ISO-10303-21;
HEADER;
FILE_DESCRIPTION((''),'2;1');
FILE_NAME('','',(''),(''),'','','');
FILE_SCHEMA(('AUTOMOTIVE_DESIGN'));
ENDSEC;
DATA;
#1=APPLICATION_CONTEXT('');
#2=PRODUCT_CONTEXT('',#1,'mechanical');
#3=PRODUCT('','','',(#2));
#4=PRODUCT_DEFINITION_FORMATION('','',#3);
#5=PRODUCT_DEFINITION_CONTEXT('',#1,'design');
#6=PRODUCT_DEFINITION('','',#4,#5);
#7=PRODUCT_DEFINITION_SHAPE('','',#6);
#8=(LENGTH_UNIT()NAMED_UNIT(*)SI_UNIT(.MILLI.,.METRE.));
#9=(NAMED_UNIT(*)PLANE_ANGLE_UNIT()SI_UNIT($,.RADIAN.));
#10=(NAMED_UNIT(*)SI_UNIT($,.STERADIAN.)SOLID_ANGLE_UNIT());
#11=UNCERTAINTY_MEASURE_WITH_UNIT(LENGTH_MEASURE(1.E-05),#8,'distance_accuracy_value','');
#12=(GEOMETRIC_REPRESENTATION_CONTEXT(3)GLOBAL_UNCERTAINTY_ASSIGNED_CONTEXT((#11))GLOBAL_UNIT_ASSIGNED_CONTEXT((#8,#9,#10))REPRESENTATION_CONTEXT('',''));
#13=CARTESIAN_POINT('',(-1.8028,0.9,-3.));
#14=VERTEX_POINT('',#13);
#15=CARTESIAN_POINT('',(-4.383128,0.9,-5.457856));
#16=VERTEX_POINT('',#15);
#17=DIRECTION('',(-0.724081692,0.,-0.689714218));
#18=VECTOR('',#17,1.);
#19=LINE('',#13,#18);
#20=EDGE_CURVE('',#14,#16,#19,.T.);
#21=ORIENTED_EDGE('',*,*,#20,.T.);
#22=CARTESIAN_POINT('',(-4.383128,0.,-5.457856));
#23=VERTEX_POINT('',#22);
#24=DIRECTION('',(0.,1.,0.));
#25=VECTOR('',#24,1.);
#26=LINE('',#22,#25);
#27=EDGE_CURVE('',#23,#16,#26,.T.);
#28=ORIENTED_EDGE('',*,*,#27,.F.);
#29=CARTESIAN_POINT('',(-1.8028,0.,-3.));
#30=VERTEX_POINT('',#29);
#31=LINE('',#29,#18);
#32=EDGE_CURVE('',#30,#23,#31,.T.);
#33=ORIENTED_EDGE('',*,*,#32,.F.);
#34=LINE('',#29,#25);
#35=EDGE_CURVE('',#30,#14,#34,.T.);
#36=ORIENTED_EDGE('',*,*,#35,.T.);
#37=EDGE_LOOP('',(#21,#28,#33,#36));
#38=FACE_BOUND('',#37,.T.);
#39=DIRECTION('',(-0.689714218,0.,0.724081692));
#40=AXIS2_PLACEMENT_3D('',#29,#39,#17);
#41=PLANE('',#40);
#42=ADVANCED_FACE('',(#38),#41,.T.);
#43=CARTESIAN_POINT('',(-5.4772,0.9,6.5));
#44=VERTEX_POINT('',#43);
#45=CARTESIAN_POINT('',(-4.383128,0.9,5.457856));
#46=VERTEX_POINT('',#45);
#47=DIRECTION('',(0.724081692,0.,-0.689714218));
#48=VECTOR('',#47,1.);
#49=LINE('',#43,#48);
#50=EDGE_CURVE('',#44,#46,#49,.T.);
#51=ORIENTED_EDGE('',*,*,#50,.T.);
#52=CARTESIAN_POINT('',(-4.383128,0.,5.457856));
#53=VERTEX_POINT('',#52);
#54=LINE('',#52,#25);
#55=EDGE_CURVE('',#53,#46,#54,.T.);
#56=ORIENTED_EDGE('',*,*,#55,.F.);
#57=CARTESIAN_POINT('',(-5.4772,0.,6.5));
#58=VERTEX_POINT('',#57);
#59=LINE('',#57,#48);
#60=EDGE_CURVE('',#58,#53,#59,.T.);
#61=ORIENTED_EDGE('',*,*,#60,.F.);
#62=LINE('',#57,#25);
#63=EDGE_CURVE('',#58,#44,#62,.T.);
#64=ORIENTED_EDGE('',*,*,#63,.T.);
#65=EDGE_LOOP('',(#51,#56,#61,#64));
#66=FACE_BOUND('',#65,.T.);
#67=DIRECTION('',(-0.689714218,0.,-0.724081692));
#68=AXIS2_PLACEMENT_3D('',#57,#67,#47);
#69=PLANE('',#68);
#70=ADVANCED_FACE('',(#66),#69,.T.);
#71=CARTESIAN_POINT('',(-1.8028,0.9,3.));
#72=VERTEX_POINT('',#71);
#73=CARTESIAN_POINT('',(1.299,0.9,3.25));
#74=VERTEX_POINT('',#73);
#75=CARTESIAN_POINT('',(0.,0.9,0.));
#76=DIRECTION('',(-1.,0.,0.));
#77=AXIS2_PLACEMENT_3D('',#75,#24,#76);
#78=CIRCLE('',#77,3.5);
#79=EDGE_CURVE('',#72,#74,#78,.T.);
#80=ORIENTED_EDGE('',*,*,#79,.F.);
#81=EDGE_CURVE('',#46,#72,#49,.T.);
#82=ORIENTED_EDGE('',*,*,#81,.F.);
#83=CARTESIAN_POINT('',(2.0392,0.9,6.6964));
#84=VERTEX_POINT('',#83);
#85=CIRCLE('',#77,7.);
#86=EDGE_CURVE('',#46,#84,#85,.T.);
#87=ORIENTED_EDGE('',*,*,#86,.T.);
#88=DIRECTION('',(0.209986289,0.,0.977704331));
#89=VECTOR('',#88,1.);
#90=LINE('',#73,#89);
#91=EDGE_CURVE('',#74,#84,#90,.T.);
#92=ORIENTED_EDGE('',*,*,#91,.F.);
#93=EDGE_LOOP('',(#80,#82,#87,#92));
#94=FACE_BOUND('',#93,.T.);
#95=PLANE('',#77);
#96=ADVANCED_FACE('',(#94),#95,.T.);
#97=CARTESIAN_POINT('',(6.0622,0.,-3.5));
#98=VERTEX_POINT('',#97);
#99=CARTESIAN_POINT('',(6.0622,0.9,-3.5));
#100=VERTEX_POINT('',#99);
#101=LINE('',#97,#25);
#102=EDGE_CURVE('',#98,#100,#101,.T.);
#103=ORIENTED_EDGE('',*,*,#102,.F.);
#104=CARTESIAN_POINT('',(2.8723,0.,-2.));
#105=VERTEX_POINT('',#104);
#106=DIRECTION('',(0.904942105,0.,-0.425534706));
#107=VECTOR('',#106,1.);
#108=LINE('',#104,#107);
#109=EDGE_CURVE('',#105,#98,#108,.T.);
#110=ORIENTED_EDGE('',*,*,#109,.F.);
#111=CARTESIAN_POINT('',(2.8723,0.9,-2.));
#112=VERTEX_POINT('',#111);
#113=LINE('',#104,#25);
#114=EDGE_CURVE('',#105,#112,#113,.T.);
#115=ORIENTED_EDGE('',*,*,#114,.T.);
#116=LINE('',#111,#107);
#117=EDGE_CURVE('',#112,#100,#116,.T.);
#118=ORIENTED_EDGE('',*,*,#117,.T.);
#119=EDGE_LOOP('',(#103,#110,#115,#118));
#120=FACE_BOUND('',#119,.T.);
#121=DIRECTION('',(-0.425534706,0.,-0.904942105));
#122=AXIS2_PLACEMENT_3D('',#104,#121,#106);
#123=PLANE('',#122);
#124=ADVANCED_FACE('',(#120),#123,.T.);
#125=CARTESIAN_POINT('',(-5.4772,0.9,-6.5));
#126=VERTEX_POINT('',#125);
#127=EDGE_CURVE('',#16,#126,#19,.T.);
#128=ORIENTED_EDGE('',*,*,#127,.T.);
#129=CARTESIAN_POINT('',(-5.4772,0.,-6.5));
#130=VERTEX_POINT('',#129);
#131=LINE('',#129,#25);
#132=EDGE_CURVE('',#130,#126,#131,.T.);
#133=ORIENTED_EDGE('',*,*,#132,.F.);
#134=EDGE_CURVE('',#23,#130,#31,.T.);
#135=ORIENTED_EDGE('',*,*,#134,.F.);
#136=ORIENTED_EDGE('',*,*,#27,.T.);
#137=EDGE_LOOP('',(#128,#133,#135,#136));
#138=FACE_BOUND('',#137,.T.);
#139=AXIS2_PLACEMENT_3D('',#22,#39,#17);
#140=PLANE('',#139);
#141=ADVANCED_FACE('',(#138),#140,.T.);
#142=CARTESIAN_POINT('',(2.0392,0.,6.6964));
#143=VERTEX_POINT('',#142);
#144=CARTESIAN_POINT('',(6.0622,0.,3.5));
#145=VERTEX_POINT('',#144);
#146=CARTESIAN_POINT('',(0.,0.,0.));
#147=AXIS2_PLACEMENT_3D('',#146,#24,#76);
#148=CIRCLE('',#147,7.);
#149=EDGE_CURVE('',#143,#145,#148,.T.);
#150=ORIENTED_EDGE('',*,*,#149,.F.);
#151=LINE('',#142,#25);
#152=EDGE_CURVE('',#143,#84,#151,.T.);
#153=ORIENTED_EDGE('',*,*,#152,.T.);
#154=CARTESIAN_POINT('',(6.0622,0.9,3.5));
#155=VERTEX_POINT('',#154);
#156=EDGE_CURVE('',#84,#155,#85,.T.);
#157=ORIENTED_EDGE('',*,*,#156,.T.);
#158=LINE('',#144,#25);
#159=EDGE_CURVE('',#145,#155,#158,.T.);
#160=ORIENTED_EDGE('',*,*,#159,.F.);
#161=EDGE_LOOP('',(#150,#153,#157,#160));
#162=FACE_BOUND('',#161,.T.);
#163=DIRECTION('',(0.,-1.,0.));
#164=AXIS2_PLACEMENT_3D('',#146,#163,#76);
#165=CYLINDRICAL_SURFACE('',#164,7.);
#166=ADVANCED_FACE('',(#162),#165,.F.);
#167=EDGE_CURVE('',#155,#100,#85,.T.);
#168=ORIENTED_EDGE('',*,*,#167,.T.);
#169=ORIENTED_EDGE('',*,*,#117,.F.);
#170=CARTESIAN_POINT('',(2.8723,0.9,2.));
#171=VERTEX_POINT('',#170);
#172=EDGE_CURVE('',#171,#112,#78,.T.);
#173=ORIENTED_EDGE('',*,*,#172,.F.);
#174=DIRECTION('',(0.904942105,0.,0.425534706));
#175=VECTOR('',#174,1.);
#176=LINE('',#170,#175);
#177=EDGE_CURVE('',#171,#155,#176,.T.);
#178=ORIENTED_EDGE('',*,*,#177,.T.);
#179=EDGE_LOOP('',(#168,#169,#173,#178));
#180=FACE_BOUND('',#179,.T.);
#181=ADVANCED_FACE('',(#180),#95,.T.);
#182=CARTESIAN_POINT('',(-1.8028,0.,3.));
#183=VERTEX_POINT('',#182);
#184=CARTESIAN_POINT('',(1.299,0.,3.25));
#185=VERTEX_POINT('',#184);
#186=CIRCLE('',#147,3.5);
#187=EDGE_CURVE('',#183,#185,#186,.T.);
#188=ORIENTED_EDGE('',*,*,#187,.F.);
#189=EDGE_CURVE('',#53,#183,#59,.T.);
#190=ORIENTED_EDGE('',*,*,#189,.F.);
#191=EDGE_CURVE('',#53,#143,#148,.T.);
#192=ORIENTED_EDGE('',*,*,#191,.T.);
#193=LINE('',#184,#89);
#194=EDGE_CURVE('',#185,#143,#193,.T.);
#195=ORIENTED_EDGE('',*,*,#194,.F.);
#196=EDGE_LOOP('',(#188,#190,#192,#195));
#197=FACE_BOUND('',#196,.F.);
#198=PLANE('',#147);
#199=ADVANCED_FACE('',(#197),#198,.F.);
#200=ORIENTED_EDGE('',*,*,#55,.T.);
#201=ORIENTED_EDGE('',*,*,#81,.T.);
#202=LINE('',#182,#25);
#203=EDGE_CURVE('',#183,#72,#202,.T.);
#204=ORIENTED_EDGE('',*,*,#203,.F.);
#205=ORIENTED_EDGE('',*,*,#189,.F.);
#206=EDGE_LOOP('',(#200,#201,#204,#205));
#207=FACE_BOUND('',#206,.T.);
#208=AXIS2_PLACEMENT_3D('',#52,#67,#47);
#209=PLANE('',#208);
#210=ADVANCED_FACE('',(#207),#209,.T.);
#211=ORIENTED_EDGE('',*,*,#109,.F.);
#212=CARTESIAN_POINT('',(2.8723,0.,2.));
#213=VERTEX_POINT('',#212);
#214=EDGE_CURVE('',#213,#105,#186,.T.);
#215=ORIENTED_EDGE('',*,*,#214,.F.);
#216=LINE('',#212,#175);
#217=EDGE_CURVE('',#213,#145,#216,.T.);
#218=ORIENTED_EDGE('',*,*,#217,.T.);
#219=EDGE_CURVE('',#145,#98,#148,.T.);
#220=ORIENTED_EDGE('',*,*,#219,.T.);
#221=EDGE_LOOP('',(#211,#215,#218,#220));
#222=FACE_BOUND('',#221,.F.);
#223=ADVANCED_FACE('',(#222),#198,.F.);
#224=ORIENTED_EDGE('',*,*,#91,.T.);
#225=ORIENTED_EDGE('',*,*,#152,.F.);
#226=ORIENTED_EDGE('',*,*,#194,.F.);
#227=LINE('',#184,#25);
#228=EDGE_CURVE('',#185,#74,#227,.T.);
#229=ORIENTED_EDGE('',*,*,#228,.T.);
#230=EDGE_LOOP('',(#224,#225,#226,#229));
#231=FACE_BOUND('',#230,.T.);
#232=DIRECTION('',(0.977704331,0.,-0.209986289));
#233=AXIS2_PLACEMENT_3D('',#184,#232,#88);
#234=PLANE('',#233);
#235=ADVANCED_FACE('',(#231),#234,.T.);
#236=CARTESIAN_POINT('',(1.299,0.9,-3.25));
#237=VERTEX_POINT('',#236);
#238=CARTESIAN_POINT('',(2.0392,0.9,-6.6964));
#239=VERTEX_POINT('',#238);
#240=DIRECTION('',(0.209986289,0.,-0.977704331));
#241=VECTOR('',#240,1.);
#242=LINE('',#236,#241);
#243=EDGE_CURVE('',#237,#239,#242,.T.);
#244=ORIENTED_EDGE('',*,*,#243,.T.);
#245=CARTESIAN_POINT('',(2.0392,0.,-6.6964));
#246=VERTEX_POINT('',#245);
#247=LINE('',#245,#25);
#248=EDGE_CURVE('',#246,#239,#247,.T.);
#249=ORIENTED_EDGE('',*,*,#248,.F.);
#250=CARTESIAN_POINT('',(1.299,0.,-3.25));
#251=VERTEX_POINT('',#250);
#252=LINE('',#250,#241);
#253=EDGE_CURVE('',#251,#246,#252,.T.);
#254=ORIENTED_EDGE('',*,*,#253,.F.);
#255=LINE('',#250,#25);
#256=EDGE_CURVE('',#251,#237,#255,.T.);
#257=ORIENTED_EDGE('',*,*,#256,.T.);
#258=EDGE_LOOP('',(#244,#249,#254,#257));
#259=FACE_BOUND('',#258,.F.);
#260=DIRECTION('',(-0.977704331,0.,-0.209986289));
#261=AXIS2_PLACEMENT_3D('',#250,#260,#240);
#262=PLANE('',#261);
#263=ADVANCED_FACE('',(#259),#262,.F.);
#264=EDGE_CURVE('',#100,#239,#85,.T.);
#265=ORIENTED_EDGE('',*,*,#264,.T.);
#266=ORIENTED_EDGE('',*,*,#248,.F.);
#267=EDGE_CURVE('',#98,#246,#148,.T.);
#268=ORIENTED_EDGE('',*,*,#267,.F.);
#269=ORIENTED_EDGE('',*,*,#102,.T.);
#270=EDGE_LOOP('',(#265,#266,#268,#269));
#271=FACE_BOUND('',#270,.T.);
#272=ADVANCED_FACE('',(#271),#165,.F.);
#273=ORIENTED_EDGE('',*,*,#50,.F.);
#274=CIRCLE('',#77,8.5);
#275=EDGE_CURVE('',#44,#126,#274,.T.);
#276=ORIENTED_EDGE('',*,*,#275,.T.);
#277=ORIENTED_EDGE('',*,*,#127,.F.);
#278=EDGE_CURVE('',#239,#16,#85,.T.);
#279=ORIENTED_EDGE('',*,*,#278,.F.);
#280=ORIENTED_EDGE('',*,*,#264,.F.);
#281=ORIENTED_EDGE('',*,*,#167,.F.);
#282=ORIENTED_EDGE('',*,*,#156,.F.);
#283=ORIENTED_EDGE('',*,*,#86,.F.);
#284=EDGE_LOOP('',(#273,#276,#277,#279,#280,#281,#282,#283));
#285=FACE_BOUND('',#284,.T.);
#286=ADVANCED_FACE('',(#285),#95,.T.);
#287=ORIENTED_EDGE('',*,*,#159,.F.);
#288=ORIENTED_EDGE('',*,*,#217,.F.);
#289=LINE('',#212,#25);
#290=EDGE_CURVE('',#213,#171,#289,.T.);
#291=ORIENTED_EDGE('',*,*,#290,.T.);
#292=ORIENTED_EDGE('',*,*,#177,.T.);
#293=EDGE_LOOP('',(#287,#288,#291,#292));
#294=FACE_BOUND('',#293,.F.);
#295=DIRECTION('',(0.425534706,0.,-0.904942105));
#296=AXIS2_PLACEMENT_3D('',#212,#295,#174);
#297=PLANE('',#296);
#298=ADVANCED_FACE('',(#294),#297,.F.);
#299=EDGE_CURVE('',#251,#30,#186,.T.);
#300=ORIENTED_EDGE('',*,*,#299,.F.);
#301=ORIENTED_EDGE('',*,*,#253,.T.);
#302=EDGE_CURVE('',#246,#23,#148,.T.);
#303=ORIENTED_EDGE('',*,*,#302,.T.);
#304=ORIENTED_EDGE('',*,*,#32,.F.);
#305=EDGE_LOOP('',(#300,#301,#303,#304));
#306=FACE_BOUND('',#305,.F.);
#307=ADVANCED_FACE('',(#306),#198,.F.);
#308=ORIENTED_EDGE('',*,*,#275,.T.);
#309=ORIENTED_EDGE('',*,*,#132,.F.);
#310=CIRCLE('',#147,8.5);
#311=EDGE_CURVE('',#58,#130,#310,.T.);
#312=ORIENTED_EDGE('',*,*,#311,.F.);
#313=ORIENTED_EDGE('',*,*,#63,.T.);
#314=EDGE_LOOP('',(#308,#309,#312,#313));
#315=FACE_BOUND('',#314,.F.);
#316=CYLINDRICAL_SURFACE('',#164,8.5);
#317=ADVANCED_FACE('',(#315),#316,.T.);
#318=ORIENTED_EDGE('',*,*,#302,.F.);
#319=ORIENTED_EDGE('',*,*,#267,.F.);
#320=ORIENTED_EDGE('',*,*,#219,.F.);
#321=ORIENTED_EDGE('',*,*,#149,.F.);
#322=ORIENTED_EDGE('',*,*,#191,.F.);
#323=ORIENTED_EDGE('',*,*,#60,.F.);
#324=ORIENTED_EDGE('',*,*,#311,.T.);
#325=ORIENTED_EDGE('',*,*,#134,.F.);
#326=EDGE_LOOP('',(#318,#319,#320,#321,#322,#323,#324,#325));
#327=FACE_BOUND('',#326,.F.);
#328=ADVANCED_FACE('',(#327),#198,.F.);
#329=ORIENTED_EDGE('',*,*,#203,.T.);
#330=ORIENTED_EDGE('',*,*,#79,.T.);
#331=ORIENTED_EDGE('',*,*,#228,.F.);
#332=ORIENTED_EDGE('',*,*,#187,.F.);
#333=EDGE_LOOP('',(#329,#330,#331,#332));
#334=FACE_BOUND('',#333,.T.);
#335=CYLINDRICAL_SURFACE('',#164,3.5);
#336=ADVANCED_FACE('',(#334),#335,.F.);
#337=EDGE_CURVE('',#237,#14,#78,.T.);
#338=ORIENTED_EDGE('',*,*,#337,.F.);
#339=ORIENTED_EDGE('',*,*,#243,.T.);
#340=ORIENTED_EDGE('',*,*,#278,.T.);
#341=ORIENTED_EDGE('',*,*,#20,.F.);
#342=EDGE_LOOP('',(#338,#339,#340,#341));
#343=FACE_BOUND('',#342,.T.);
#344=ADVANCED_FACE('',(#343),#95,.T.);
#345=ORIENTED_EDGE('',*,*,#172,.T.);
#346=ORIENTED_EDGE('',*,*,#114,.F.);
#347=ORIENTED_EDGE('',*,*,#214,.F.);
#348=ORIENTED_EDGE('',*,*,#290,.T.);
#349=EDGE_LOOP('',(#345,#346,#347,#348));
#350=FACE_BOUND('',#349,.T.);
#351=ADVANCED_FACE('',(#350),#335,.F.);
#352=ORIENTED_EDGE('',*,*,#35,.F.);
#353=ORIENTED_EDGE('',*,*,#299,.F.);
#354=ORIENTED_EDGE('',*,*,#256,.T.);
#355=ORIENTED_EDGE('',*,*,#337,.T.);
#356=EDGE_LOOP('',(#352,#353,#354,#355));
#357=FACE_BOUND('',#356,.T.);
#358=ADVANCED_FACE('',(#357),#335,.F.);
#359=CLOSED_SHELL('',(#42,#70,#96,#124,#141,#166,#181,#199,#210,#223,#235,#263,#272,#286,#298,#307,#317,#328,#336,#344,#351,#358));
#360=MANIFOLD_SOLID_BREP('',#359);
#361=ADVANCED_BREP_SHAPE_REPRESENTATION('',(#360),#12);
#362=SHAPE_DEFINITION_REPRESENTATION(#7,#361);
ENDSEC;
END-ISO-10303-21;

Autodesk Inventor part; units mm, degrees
ref_plane "YZ Plane" through (0, 0, 0) normal (1, 0, 0) x (0, 1, 0)
ref_plane "XZ Plane" through (0, 0, 0) normal (0, 1, 0) x (-1, 0, 0)
ref_plane "XY Plane" through (0, 0, 0) normal (0, 0, 1) x (1, 0, 0)
sketch "Sketch1" plane through (0, 0, 0) normal (0, 1, 0) x (-1, 0, 0)
  circle A0 centre (0, 0) radius 8.5
  circle A1 centre (0, 0) radius 3.5
  circle A2 centre (0, 0) radius 7
  line L0 (5.4772, 6.5) -> (1.8028, 3)
  line L1 (1.8028, -3) -> (5.4772, -6.5)
  line L2 (-1.299, 3.25) -> (-2.0392, 6.6964)
  line L3 (-2.8723, 2) -> (-6.0622, 3.5)
  line L4 (-2.8723, -2) -> (-6.0622, -3.5)
  line L5 (-1.299, -3.25) -> (-2.0392, -6.6964)
  dimension "d0" = 17
  dimension "d2" = 6
  dimension "d3" = 14
  dimension "d4" = 13
  dimension "d5" = 4
  dimension "d6" = 7
  dimension "d8" = 7
  dimension "d9" = 6.5
extrude "Extrusion1" add sketch "Sketch1" along normal blind 0.9 contours L0 A2 L1 A0 | L0 A1 L2 A2 | A2 L5 A1 L1 | L3 A1 L4 A2 picked at (-7.9468, 0.2439)
properties part number "7mm E-Clip"
